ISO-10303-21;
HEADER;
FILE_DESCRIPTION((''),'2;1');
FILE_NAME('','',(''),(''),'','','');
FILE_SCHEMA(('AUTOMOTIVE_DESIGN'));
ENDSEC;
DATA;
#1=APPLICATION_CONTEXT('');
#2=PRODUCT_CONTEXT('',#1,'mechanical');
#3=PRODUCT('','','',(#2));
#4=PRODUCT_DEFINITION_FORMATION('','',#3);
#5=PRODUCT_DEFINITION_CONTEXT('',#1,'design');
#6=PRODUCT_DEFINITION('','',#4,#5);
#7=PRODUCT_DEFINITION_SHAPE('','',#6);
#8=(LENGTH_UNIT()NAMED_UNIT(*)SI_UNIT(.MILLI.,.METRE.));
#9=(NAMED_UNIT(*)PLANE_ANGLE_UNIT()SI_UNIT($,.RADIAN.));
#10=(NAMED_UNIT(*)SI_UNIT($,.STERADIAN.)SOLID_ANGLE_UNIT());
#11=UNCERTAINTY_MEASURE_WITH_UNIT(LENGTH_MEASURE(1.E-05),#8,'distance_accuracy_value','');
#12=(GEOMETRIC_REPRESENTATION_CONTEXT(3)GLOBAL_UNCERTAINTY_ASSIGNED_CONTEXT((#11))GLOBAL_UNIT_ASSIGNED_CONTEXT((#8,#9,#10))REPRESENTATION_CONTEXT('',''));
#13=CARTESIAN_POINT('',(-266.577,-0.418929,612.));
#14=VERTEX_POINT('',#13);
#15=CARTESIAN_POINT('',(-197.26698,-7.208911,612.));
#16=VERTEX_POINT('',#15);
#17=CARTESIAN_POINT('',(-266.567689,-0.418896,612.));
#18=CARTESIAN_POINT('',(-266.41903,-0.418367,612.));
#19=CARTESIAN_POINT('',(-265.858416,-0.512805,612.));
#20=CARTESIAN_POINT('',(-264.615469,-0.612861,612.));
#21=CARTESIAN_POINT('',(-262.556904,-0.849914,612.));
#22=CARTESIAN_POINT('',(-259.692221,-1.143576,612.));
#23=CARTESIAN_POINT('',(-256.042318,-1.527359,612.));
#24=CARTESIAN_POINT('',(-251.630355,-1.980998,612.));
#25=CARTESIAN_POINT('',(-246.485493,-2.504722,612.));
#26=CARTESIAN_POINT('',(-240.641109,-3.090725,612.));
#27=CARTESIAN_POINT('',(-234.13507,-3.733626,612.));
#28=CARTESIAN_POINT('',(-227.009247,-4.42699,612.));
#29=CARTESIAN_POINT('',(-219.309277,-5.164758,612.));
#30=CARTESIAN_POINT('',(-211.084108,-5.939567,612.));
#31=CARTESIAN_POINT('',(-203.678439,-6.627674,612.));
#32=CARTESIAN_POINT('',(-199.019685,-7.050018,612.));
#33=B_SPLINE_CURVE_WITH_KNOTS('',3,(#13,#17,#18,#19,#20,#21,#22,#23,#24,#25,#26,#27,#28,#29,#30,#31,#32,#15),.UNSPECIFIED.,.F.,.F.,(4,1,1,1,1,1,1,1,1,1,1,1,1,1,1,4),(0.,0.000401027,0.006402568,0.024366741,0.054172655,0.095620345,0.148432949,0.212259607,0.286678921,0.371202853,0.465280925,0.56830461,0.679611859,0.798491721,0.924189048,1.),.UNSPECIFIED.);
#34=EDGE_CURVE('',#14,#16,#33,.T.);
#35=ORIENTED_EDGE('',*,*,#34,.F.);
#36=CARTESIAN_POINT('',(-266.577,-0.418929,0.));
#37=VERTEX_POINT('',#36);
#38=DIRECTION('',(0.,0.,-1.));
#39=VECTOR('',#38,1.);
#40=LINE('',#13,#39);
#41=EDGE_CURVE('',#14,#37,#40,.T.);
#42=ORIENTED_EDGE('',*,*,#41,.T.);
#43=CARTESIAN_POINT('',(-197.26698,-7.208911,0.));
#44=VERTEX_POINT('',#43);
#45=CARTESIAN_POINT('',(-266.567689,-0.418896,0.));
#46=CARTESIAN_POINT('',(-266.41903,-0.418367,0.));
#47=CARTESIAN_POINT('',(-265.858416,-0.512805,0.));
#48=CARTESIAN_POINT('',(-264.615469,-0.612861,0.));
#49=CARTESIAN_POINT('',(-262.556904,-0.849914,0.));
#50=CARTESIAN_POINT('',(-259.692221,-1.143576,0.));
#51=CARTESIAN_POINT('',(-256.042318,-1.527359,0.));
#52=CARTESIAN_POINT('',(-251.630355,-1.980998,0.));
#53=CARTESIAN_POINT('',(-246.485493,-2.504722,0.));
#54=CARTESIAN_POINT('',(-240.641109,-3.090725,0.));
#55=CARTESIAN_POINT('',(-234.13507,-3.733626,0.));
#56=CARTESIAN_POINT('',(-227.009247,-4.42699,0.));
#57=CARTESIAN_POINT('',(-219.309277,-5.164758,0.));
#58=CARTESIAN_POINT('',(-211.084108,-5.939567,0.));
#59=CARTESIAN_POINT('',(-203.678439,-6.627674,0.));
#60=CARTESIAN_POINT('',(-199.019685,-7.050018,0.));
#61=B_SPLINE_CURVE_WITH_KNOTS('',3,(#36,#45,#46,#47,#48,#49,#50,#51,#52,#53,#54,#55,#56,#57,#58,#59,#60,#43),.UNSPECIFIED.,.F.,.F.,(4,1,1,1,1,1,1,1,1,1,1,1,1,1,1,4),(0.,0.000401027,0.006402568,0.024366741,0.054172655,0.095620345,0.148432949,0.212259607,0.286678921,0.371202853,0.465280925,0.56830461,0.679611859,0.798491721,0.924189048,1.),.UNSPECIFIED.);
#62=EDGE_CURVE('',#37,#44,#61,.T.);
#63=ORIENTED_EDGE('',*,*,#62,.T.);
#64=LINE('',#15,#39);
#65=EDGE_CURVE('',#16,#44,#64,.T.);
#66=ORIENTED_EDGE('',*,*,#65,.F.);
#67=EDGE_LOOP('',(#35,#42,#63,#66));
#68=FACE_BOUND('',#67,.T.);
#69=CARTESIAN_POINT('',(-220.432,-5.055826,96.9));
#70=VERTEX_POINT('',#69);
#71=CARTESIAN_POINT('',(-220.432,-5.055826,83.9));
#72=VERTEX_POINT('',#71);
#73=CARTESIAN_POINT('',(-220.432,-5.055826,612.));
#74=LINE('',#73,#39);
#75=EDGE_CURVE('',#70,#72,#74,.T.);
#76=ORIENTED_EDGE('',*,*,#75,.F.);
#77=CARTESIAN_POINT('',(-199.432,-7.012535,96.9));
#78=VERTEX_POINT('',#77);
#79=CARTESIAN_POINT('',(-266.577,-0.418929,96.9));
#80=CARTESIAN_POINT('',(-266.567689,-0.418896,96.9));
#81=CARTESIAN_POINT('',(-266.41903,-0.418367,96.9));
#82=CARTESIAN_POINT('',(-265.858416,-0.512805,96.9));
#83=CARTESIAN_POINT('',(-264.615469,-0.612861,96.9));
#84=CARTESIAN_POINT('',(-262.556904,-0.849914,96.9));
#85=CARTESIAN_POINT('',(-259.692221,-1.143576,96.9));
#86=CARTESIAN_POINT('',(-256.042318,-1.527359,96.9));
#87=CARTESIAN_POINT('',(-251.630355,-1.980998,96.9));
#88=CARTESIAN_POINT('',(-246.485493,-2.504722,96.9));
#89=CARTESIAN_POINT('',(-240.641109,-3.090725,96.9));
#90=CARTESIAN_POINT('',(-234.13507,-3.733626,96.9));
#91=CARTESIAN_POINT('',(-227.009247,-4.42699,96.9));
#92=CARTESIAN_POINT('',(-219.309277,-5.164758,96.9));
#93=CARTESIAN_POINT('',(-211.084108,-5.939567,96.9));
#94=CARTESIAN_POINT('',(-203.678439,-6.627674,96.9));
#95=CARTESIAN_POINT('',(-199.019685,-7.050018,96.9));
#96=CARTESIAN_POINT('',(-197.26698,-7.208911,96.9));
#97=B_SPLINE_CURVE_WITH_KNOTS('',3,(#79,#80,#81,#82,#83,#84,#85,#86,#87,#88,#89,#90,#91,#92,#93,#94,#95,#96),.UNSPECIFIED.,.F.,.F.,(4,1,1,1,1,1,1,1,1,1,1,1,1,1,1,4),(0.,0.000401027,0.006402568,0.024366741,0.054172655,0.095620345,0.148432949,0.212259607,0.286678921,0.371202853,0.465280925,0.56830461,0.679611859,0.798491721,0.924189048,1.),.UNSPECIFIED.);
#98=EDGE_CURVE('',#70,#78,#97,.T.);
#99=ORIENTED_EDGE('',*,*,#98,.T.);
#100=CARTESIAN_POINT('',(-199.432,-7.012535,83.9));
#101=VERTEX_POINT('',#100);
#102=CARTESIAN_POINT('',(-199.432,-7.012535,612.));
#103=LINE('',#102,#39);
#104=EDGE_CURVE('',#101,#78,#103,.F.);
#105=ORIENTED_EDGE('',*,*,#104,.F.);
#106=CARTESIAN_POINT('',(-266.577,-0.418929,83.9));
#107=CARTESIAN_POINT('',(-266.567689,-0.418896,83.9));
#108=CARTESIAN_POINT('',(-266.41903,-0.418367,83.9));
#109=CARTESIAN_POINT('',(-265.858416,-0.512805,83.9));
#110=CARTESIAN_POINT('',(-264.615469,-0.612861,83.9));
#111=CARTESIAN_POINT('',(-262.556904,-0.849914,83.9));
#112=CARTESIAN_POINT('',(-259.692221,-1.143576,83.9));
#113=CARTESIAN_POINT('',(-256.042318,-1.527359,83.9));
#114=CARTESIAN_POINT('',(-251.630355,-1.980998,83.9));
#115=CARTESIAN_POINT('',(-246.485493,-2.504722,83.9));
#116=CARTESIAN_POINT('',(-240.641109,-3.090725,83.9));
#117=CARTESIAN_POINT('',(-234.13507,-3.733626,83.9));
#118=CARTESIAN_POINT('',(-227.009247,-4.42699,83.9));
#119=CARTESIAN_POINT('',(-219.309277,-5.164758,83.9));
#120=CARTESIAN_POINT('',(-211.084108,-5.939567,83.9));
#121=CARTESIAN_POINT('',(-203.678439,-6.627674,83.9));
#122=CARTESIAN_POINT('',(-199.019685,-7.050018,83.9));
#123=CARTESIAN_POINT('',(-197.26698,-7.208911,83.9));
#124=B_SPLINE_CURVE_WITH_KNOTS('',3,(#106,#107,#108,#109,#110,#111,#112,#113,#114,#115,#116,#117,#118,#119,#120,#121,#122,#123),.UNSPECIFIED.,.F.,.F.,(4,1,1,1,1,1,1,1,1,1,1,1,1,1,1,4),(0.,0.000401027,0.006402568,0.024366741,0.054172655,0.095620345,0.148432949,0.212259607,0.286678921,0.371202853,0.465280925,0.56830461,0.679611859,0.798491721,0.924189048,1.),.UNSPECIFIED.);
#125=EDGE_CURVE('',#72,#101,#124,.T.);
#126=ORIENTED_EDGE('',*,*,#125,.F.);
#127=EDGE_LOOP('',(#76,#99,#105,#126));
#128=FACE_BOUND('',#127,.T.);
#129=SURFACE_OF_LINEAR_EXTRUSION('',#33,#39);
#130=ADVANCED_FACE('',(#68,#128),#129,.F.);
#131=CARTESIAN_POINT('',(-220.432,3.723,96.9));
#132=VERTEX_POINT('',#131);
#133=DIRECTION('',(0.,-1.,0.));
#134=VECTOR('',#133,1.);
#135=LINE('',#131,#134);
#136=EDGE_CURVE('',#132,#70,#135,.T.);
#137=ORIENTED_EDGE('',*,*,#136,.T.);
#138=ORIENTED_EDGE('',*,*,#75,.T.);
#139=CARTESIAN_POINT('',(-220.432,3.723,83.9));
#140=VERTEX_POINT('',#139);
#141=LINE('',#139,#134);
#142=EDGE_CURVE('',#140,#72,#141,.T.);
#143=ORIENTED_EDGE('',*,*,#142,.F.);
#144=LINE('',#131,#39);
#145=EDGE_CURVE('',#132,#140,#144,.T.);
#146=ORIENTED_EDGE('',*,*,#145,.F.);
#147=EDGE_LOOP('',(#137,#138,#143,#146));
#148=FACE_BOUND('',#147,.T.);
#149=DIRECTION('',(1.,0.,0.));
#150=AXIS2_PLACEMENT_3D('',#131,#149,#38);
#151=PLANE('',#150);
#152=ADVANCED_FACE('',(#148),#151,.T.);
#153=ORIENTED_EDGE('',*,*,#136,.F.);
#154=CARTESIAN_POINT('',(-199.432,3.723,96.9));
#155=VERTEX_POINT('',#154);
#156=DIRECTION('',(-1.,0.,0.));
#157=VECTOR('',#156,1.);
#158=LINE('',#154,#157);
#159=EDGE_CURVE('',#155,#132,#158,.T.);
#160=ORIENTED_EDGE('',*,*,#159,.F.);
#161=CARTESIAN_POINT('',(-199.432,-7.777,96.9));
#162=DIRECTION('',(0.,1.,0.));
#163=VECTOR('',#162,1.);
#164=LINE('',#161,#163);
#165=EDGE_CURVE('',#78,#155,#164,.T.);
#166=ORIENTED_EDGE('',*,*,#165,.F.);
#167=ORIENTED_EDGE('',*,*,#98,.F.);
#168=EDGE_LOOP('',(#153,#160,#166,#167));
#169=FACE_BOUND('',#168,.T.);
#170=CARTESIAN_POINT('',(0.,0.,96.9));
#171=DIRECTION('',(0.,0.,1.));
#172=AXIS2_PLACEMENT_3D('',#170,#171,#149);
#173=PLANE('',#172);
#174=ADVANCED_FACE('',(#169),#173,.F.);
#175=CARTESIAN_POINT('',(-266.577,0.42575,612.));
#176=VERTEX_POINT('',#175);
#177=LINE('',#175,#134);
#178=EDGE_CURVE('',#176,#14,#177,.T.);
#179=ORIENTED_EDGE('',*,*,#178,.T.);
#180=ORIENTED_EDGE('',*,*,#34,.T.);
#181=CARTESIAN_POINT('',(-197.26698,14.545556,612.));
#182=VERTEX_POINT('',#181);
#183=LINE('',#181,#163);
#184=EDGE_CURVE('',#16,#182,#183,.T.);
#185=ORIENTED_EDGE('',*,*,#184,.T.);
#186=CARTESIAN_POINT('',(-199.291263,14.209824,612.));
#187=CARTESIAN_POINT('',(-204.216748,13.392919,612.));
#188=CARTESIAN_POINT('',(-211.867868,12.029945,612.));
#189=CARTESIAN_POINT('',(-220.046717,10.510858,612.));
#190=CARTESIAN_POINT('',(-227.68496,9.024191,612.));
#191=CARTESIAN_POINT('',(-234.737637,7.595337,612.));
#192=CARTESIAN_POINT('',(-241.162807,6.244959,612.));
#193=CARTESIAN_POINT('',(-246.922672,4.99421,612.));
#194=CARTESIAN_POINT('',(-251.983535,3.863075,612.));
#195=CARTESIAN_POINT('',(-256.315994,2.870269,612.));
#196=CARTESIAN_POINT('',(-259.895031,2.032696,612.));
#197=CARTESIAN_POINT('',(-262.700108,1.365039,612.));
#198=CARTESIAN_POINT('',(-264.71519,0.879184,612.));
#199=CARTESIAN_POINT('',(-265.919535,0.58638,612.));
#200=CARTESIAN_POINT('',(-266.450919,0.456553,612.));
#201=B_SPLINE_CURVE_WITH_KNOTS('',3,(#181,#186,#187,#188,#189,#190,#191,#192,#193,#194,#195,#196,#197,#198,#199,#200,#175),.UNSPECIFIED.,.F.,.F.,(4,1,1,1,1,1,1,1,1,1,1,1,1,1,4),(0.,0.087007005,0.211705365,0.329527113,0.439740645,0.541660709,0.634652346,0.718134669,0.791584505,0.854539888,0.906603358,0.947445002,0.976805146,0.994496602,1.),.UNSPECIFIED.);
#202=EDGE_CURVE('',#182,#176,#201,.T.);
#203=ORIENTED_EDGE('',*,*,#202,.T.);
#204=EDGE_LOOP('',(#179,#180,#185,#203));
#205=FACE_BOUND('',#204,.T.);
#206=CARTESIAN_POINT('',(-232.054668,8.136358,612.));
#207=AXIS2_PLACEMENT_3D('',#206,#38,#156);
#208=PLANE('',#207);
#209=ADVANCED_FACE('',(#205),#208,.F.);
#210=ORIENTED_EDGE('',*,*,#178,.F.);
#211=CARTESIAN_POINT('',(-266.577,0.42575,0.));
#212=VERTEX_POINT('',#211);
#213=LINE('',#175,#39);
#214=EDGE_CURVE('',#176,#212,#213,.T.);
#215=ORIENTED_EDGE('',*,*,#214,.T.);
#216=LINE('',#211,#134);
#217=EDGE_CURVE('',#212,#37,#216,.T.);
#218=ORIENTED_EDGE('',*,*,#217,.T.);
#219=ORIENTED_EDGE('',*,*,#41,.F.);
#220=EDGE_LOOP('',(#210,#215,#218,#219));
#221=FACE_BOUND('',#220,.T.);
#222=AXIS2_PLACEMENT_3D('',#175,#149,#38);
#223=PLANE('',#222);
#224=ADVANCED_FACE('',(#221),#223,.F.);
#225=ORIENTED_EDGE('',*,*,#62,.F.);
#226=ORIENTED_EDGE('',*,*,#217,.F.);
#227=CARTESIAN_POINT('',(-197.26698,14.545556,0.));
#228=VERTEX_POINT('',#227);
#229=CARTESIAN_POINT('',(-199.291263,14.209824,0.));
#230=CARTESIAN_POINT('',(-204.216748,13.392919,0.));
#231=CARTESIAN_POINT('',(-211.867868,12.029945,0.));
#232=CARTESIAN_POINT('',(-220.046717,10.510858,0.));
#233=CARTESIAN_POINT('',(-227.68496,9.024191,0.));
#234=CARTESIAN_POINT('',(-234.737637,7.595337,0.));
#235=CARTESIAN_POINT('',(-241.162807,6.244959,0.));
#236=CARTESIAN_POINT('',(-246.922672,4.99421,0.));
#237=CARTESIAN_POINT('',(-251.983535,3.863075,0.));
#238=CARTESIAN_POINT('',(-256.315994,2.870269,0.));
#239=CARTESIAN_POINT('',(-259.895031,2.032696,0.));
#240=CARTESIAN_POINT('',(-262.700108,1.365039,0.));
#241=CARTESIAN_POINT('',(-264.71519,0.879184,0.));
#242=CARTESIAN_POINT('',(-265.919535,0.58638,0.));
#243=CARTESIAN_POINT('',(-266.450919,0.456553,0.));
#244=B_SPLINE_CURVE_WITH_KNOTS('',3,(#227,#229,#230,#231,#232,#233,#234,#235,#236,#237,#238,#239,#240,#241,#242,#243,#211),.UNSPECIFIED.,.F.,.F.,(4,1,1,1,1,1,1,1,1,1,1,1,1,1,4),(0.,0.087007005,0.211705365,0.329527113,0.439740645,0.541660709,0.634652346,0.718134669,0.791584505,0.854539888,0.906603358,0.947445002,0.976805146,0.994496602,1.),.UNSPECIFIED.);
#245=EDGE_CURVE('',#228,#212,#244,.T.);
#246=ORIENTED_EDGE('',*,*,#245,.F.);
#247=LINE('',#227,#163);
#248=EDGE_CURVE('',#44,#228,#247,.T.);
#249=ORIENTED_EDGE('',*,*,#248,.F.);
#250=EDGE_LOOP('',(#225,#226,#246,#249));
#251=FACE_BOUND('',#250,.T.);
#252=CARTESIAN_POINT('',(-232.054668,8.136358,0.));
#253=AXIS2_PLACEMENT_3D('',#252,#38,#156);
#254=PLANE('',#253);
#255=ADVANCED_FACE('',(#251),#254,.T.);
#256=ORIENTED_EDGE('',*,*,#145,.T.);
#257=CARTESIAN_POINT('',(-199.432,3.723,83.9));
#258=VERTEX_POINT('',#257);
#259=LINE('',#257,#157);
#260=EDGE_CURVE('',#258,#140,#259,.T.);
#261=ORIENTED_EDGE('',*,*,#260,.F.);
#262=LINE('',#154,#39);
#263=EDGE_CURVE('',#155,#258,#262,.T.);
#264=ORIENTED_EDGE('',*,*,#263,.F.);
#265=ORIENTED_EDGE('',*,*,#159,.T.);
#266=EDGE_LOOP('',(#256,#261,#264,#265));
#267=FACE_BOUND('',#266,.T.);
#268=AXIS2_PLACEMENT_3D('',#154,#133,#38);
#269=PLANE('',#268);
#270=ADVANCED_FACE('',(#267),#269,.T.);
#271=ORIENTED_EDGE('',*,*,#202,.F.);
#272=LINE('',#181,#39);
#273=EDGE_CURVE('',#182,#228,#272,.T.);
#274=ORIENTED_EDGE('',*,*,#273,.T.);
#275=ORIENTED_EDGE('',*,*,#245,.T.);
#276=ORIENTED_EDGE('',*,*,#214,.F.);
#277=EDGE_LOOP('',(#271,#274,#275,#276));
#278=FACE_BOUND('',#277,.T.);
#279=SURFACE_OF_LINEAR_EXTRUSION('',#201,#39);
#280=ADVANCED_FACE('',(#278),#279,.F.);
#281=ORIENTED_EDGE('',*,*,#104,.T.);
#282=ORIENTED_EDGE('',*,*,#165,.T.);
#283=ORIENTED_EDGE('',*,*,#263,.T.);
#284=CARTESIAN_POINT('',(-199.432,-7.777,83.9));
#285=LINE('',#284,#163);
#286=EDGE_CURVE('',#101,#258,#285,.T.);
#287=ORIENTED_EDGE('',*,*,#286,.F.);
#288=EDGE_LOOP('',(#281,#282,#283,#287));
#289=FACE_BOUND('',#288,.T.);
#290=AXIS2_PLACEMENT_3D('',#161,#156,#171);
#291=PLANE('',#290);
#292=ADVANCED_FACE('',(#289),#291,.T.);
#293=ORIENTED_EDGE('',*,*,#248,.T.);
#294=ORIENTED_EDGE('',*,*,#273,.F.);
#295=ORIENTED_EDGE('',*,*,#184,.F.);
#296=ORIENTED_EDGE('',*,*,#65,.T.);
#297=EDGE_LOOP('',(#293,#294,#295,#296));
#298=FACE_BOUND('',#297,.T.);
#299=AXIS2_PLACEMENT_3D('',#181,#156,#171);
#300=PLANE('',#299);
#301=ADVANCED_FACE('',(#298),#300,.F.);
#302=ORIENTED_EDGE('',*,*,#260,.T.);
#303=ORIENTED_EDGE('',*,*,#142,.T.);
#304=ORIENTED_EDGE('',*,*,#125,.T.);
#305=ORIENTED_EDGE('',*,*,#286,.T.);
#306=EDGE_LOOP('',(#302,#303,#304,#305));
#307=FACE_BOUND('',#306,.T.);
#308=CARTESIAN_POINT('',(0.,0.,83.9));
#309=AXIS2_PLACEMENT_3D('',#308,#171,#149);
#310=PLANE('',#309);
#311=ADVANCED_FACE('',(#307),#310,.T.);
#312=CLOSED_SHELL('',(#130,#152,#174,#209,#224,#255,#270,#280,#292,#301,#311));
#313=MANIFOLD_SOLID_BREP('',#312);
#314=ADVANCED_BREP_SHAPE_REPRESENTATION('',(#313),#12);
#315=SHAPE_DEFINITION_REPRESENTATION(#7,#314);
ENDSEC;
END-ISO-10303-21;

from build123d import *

# Parameters (mm, degrees)
BOSS_EXTRUDE1_DEPTH = 612
SKETCH2_W           = 21
SKETCH2_H           = 11.5
CUT_EXTRUDE1_DEPTH  = 13


with BuildPart() as part:
    # Sketch1 → Boss-Extrude1 (new body)
    with BuildSketch(Plane.XY):
        with BuildLine():
            Line((-197.26698, 14.545556384), (-197.26698, -7.208910553))
            add(Edge.make_bspline(
                [(-197.26698, -7.208910553), (-199.019685082, -7.050017591), (-203.678439199, -6.627674295), (-211.084107985, -5.939566862), (-219.309277242, -5.164758413), (-227.009246775, -4.426989792), (-234.135070336, -3.733626285), (-240.641108589, -3.09072516), (-246.485492991, -2.504721762), (-251.630355083, -1.980998363), (-256.042317783, -1.527359301), (-259.692220923, -1.143575744), (-262.556904408, -0.849913683), (-264.61546863, -0.612861211), (-265.858416096, -0.512805201), (-266.419029816, -0.418366575), (-266.567688701, -0.418895711), (-266.577, -0.418928854)],
                knots=[0, 0, 0, 0, 0.075810952, 0.201508279, 0.320388141, 0.43169539, 0.534719075, 0.628797147, 0.713321079, 0.787740393, 0.851567051, 0.904379655, 0.945827345, 0.975633259, 0.993597432, 0.999598973, 1, 1, 1, 1], degree=3))
            Line((-266.577, -0.418928854), (-266.577, 0.425749675))
            add(Edge.make_bspline(
                [(-197.26698, 14.545556384), (-199.291263309, 14.209823561), (-204.216747599, 13.392918764), (-211.867868306, 12.029944562), (-220.046716751, 10.510857765), (-227.684960434, 9.024190881), (-234.737637437, 7.595336861), (-241.162806841, 6.244958614), (-246.922671776, 4.994209984), (-251.983535287, 3.863074945), (-256.315994171, 2.870269339), (-259.895031115, 2.032695679), (-262.700108493, 1.365039117), (-264.715189951, 0.879184388), (-265.919534871, 0.586380331), (-266.450919413, 0.456553449), (-266.577, 0.425749675)],
                knots=[0, 0, 0, 0, 0.087007005, 0.211705365, 0.329527113, 0.439740645, 0.541660709, 0.634652346, 0.718134669, 0.791584505, 0.854539888, 0.906603358, 0.947445002, 0.976805146, 0.994496602, 1, 1, 1, 1], degree=3))
        make_face()
    extrude(amount=BOSS_EXTRUDE1_DEPTH)

    # Sketch2 → Cut-Extrude1 (cut)
    with BuildSketch(Plane.XY.offset(83.9)):
        with Locations((-209.932, -2.027)):
            Rectangle(SKETCH2_W, SKETCH2_H)
    extrude(amount=CUT_EXTRUDE1_DEPTH, mode=Mode.SUBTRACT)


solid = part.part
